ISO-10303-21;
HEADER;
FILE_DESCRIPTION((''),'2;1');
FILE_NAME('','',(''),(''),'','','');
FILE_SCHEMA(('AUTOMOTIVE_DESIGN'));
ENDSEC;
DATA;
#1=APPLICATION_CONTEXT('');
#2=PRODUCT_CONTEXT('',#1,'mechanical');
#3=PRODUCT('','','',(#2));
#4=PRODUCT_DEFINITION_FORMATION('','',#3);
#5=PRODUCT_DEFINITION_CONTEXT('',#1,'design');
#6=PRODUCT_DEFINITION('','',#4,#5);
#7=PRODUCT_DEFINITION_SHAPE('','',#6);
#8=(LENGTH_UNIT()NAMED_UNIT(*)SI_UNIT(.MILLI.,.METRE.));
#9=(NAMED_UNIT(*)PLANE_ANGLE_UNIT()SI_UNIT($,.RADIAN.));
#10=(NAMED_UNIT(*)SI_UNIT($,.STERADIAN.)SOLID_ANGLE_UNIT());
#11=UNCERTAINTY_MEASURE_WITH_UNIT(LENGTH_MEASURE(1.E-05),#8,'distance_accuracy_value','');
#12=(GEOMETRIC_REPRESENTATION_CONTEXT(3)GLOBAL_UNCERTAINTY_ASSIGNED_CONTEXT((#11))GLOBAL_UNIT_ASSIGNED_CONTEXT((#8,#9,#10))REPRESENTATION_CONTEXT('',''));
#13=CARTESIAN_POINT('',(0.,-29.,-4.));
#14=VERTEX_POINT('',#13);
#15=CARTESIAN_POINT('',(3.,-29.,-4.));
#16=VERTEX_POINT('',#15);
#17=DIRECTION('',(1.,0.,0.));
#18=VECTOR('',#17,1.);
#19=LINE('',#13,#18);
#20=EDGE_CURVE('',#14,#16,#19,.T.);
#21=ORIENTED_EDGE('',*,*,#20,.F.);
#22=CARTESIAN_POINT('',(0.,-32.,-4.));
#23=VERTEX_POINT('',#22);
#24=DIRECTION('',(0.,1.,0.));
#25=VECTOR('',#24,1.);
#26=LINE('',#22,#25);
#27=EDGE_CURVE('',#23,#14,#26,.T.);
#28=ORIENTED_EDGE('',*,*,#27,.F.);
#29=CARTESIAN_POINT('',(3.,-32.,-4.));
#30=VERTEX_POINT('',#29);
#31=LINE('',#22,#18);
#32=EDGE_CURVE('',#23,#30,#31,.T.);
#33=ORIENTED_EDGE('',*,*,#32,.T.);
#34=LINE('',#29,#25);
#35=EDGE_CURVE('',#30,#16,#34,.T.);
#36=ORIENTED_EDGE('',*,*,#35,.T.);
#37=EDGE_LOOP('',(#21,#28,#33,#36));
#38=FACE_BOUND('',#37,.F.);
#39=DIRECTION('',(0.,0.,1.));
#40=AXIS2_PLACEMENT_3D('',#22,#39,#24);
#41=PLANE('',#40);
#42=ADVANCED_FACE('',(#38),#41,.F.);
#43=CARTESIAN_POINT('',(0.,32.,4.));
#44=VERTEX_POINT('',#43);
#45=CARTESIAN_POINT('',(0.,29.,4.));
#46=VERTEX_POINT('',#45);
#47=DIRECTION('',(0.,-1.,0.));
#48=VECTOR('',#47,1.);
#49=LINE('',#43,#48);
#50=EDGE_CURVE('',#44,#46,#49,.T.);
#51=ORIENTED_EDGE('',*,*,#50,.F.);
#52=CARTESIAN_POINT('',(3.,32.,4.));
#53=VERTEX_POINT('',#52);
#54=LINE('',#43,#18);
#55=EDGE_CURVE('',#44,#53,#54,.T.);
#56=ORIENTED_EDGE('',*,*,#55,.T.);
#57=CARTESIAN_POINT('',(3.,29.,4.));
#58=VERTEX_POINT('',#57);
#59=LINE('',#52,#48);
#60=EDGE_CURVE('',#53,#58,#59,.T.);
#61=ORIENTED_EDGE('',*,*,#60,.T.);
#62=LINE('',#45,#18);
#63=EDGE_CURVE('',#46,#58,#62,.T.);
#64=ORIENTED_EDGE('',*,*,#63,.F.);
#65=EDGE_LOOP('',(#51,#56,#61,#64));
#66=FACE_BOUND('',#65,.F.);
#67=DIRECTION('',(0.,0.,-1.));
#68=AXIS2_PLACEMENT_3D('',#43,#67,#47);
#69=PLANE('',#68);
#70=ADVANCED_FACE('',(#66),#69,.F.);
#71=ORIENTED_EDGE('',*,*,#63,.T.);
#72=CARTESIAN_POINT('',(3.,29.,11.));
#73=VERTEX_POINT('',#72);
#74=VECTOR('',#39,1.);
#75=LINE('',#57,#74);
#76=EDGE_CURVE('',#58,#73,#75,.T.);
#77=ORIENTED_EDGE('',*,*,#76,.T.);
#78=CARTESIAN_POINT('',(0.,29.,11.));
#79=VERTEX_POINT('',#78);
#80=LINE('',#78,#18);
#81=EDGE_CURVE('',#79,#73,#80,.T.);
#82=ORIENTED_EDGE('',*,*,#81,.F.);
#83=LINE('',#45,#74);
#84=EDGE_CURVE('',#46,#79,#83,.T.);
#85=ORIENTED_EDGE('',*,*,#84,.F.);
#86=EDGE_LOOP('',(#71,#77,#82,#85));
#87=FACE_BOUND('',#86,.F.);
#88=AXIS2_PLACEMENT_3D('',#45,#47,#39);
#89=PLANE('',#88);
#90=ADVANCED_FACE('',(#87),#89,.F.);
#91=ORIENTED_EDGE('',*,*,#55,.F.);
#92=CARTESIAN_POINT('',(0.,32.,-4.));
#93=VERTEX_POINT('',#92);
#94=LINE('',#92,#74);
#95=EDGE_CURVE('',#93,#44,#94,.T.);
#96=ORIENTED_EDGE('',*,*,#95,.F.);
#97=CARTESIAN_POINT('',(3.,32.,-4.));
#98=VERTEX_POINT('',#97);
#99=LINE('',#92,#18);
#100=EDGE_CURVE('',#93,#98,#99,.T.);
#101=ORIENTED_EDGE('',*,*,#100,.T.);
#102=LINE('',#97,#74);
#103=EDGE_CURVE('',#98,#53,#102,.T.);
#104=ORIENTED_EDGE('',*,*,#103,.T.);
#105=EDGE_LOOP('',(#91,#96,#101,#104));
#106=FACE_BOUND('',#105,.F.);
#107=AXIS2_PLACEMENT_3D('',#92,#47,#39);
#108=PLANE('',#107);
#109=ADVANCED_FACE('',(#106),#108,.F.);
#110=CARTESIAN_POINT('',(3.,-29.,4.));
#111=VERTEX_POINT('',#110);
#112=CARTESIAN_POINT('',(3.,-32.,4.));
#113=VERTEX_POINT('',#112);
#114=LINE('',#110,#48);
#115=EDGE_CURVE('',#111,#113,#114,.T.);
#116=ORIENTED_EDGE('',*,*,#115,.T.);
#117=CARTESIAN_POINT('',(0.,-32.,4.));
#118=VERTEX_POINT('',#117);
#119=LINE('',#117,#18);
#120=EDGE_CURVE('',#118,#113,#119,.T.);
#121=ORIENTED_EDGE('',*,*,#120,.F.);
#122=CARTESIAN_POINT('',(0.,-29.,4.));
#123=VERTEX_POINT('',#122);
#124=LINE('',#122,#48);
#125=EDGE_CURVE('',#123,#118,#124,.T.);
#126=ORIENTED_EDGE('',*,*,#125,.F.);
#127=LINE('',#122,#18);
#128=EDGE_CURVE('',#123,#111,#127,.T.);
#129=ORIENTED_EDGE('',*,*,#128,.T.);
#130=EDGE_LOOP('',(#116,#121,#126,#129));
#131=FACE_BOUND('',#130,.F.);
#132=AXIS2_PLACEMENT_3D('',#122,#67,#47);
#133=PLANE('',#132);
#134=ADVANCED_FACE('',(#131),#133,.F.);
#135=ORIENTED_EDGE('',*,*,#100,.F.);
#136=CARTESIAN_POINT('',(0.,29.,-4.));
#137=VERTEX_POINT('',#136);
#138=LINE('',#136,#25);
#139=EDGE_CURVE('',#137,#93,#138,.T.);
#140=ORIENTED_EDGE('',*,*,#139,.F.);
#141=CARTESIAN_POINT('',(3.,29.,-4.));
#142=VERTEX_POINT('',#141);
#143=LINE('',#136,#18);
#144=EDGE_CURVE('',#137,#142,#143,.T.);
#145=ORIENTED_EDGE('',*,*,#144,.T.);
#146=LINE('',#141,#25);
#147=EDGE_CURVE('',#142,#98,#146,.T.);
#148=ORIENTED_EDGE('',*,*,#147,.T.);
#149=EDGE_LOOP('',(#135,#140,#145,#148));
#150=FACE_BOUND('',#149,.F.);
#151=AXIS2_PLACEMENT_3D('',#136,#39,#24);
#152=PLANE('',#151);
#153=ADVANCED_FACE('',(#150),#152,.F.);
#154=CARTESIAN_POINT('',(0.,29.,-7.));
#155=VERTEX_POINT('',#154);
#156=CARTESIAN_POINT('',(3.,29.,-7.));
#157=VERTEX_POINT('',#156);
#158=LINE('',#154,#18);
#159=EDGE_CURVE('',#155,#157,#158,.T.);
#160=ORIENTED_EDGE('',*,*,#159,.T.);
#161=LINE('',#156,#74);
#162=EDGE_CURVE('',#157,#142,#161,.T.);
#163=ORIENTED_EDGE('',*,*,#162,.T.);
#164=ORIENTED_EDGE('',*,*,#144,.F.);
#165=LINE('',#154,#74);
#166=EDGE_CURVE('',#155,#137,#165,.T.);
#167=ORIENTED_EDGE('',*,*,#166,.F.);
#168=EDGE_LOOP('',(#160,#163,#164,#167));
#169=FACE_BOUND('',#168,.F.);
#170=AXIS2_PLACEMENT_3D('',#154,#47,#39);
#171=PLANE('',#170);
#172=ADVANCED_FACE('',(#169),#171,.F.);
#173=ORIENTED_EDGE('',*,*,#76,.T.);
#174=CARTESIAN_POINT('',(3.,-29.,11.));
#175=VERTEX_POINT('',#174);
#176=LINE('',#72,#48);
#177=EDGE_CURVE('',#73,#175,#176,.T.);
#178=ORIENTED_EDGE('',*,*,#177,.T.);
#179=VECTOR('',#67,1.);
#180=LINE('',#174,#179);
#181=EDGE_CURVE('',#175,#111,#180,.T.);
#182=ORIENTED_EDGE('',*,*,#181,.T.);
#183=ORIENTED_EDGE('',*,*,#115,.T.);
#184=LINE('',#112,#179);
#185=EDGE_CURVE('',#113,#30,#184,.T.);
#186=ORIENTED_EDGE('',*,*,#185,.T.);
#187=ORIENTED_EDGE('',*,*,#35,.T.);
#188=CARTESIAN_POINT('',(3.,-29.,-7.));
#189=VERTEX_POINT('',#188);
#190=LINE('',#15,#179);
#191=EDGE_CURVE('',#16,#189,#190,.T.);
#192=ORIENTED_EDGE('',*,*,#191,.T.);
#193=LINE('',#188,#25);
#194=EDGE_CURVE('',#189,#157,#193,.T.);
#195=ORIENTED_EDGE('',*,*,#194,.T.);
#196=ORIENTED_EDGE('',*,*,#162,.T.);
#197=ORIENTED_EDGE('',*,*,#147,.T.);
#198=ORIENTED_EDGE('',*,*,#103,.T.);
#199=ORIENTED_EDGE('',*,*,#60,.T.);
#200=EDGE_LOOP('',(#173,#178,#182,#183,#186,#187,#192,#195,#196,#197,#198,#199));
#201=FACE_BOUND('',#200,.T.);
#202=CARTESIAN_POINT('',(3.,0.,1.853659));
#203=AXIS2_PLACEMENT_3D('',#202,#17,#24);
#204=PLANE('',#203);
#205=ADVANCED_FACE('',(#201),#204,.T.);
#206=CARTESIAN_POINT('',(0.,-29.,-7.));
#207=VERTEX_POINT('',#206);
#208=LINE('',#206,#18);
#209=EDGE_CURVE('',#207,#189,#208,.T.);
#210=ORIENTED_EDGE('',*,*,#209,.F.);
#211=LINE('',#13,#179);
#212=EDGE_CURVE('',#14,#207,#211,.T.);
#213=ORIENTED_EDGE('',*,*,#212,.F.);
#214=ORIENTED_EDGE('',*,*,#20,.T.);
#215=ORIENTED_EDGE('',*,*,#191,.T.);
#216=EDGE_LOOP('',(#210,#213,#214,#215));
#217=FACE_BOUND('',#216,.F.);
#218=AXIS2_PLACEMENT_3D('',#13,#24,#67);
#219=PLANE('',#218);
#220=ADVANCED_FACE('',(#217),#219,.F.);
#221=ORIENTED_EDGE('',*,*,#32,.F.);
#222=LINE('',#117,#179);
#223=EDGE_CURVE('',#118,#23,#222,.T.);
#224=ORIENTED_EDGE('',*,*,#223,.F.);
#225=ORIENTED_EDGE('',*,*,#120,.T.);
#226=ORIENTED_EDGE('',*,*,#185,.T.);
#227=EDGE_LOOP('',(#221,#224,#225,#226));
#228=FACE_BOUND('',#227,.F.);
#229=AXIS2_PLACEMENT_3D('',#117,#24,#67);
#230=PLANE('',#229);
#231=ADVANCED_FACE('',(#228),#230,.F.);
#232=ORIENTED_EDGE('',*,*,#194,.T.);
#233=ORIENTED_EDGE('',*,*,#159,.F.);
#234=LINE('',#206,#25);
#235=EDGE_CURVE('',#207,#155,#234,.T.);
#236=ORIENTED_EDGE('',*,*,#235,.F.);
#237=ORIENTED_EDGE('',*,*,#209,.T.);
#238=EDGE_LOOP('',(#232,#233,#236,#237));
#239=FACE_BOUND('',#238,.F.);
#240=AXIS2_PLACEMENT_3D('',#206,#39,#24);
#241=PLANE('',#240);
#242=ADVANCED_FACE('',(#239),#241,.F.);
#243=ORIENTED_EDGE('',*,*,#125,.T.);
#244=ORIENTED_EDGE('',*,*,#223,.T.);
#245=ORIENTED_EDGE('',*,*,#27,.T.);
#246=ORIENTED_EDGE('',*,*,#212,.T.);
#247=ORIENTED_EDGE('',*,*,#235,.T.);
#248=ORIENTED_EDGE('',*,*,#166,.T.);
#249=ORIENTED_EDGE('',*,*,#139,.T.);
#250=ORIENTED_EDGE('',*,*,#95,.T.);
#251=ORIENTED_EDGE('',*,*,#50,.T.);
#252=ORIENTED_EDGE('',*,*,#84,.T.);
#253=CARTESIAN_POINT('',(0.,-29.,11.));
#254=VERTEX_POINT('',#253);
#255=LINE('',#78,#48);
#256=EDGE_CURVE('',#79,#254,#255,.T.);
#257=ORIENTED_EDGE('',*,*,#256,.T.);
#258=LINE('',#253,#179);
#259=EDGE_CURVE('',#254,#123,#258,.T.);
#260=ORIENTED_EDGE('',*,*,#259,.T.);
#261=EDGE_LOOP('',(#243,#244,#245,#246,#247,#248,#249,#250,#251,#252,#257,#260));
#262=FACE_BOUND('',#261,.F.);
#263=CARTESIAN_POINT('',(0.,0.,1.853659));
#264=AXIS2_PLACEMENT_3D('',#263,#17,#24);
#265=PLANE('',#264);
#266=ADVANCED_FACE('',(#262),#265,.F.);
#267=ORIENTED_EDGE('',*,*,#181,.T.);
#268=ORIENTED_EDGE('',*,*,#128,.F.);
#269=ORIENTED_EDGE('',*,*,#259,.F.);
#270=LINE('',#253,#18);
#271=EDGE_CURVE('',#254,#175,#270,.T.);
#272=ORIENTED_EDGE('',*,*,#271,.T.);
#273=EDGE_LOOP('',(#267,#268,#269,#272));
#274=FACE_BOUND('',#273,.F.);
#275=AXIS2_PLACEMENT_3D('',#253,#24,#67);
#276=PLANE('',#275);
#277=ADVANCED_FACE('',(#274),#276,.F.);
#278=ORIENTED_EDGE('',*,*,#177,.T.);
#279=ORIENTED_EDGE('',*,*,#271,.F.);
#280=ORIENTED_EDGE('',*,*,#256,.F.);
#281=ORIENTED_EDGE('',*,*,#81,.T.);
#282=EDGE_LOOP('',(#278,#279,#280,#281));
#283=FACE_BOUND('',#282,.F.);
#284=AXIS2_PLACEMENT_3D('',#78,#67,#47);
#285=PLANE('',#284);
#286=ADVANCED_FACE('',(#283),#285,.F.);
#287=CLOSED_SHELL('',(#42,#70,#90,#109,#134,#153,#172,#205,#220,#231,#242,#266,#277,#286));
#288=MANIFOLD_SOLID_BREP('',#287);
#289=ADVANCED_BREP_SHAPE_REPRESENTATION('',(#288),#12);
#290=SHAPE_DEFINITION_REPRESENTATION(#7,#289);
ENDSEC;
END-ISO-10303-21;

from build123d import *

# Parameters (mm, degrees)
F1_DEPTH = 3


with BuildPart() as f1:
    # F0 (on Right) → F1 (new body)
    with BuildSketch(Plane.YZ):
        Polygon((-32, 4), (-32, 0), (-32, -4), (-29, -4), (-29, -7), (0, -7), (29, -7), (29, -4), (32, -4), (32, 0), (32, 4), (29, 4), (29, 11), (0, 11), (-29, 11), (-29, 4), align=None)
    extrude(amount=F1_DEPTH)


solid = f1.part
